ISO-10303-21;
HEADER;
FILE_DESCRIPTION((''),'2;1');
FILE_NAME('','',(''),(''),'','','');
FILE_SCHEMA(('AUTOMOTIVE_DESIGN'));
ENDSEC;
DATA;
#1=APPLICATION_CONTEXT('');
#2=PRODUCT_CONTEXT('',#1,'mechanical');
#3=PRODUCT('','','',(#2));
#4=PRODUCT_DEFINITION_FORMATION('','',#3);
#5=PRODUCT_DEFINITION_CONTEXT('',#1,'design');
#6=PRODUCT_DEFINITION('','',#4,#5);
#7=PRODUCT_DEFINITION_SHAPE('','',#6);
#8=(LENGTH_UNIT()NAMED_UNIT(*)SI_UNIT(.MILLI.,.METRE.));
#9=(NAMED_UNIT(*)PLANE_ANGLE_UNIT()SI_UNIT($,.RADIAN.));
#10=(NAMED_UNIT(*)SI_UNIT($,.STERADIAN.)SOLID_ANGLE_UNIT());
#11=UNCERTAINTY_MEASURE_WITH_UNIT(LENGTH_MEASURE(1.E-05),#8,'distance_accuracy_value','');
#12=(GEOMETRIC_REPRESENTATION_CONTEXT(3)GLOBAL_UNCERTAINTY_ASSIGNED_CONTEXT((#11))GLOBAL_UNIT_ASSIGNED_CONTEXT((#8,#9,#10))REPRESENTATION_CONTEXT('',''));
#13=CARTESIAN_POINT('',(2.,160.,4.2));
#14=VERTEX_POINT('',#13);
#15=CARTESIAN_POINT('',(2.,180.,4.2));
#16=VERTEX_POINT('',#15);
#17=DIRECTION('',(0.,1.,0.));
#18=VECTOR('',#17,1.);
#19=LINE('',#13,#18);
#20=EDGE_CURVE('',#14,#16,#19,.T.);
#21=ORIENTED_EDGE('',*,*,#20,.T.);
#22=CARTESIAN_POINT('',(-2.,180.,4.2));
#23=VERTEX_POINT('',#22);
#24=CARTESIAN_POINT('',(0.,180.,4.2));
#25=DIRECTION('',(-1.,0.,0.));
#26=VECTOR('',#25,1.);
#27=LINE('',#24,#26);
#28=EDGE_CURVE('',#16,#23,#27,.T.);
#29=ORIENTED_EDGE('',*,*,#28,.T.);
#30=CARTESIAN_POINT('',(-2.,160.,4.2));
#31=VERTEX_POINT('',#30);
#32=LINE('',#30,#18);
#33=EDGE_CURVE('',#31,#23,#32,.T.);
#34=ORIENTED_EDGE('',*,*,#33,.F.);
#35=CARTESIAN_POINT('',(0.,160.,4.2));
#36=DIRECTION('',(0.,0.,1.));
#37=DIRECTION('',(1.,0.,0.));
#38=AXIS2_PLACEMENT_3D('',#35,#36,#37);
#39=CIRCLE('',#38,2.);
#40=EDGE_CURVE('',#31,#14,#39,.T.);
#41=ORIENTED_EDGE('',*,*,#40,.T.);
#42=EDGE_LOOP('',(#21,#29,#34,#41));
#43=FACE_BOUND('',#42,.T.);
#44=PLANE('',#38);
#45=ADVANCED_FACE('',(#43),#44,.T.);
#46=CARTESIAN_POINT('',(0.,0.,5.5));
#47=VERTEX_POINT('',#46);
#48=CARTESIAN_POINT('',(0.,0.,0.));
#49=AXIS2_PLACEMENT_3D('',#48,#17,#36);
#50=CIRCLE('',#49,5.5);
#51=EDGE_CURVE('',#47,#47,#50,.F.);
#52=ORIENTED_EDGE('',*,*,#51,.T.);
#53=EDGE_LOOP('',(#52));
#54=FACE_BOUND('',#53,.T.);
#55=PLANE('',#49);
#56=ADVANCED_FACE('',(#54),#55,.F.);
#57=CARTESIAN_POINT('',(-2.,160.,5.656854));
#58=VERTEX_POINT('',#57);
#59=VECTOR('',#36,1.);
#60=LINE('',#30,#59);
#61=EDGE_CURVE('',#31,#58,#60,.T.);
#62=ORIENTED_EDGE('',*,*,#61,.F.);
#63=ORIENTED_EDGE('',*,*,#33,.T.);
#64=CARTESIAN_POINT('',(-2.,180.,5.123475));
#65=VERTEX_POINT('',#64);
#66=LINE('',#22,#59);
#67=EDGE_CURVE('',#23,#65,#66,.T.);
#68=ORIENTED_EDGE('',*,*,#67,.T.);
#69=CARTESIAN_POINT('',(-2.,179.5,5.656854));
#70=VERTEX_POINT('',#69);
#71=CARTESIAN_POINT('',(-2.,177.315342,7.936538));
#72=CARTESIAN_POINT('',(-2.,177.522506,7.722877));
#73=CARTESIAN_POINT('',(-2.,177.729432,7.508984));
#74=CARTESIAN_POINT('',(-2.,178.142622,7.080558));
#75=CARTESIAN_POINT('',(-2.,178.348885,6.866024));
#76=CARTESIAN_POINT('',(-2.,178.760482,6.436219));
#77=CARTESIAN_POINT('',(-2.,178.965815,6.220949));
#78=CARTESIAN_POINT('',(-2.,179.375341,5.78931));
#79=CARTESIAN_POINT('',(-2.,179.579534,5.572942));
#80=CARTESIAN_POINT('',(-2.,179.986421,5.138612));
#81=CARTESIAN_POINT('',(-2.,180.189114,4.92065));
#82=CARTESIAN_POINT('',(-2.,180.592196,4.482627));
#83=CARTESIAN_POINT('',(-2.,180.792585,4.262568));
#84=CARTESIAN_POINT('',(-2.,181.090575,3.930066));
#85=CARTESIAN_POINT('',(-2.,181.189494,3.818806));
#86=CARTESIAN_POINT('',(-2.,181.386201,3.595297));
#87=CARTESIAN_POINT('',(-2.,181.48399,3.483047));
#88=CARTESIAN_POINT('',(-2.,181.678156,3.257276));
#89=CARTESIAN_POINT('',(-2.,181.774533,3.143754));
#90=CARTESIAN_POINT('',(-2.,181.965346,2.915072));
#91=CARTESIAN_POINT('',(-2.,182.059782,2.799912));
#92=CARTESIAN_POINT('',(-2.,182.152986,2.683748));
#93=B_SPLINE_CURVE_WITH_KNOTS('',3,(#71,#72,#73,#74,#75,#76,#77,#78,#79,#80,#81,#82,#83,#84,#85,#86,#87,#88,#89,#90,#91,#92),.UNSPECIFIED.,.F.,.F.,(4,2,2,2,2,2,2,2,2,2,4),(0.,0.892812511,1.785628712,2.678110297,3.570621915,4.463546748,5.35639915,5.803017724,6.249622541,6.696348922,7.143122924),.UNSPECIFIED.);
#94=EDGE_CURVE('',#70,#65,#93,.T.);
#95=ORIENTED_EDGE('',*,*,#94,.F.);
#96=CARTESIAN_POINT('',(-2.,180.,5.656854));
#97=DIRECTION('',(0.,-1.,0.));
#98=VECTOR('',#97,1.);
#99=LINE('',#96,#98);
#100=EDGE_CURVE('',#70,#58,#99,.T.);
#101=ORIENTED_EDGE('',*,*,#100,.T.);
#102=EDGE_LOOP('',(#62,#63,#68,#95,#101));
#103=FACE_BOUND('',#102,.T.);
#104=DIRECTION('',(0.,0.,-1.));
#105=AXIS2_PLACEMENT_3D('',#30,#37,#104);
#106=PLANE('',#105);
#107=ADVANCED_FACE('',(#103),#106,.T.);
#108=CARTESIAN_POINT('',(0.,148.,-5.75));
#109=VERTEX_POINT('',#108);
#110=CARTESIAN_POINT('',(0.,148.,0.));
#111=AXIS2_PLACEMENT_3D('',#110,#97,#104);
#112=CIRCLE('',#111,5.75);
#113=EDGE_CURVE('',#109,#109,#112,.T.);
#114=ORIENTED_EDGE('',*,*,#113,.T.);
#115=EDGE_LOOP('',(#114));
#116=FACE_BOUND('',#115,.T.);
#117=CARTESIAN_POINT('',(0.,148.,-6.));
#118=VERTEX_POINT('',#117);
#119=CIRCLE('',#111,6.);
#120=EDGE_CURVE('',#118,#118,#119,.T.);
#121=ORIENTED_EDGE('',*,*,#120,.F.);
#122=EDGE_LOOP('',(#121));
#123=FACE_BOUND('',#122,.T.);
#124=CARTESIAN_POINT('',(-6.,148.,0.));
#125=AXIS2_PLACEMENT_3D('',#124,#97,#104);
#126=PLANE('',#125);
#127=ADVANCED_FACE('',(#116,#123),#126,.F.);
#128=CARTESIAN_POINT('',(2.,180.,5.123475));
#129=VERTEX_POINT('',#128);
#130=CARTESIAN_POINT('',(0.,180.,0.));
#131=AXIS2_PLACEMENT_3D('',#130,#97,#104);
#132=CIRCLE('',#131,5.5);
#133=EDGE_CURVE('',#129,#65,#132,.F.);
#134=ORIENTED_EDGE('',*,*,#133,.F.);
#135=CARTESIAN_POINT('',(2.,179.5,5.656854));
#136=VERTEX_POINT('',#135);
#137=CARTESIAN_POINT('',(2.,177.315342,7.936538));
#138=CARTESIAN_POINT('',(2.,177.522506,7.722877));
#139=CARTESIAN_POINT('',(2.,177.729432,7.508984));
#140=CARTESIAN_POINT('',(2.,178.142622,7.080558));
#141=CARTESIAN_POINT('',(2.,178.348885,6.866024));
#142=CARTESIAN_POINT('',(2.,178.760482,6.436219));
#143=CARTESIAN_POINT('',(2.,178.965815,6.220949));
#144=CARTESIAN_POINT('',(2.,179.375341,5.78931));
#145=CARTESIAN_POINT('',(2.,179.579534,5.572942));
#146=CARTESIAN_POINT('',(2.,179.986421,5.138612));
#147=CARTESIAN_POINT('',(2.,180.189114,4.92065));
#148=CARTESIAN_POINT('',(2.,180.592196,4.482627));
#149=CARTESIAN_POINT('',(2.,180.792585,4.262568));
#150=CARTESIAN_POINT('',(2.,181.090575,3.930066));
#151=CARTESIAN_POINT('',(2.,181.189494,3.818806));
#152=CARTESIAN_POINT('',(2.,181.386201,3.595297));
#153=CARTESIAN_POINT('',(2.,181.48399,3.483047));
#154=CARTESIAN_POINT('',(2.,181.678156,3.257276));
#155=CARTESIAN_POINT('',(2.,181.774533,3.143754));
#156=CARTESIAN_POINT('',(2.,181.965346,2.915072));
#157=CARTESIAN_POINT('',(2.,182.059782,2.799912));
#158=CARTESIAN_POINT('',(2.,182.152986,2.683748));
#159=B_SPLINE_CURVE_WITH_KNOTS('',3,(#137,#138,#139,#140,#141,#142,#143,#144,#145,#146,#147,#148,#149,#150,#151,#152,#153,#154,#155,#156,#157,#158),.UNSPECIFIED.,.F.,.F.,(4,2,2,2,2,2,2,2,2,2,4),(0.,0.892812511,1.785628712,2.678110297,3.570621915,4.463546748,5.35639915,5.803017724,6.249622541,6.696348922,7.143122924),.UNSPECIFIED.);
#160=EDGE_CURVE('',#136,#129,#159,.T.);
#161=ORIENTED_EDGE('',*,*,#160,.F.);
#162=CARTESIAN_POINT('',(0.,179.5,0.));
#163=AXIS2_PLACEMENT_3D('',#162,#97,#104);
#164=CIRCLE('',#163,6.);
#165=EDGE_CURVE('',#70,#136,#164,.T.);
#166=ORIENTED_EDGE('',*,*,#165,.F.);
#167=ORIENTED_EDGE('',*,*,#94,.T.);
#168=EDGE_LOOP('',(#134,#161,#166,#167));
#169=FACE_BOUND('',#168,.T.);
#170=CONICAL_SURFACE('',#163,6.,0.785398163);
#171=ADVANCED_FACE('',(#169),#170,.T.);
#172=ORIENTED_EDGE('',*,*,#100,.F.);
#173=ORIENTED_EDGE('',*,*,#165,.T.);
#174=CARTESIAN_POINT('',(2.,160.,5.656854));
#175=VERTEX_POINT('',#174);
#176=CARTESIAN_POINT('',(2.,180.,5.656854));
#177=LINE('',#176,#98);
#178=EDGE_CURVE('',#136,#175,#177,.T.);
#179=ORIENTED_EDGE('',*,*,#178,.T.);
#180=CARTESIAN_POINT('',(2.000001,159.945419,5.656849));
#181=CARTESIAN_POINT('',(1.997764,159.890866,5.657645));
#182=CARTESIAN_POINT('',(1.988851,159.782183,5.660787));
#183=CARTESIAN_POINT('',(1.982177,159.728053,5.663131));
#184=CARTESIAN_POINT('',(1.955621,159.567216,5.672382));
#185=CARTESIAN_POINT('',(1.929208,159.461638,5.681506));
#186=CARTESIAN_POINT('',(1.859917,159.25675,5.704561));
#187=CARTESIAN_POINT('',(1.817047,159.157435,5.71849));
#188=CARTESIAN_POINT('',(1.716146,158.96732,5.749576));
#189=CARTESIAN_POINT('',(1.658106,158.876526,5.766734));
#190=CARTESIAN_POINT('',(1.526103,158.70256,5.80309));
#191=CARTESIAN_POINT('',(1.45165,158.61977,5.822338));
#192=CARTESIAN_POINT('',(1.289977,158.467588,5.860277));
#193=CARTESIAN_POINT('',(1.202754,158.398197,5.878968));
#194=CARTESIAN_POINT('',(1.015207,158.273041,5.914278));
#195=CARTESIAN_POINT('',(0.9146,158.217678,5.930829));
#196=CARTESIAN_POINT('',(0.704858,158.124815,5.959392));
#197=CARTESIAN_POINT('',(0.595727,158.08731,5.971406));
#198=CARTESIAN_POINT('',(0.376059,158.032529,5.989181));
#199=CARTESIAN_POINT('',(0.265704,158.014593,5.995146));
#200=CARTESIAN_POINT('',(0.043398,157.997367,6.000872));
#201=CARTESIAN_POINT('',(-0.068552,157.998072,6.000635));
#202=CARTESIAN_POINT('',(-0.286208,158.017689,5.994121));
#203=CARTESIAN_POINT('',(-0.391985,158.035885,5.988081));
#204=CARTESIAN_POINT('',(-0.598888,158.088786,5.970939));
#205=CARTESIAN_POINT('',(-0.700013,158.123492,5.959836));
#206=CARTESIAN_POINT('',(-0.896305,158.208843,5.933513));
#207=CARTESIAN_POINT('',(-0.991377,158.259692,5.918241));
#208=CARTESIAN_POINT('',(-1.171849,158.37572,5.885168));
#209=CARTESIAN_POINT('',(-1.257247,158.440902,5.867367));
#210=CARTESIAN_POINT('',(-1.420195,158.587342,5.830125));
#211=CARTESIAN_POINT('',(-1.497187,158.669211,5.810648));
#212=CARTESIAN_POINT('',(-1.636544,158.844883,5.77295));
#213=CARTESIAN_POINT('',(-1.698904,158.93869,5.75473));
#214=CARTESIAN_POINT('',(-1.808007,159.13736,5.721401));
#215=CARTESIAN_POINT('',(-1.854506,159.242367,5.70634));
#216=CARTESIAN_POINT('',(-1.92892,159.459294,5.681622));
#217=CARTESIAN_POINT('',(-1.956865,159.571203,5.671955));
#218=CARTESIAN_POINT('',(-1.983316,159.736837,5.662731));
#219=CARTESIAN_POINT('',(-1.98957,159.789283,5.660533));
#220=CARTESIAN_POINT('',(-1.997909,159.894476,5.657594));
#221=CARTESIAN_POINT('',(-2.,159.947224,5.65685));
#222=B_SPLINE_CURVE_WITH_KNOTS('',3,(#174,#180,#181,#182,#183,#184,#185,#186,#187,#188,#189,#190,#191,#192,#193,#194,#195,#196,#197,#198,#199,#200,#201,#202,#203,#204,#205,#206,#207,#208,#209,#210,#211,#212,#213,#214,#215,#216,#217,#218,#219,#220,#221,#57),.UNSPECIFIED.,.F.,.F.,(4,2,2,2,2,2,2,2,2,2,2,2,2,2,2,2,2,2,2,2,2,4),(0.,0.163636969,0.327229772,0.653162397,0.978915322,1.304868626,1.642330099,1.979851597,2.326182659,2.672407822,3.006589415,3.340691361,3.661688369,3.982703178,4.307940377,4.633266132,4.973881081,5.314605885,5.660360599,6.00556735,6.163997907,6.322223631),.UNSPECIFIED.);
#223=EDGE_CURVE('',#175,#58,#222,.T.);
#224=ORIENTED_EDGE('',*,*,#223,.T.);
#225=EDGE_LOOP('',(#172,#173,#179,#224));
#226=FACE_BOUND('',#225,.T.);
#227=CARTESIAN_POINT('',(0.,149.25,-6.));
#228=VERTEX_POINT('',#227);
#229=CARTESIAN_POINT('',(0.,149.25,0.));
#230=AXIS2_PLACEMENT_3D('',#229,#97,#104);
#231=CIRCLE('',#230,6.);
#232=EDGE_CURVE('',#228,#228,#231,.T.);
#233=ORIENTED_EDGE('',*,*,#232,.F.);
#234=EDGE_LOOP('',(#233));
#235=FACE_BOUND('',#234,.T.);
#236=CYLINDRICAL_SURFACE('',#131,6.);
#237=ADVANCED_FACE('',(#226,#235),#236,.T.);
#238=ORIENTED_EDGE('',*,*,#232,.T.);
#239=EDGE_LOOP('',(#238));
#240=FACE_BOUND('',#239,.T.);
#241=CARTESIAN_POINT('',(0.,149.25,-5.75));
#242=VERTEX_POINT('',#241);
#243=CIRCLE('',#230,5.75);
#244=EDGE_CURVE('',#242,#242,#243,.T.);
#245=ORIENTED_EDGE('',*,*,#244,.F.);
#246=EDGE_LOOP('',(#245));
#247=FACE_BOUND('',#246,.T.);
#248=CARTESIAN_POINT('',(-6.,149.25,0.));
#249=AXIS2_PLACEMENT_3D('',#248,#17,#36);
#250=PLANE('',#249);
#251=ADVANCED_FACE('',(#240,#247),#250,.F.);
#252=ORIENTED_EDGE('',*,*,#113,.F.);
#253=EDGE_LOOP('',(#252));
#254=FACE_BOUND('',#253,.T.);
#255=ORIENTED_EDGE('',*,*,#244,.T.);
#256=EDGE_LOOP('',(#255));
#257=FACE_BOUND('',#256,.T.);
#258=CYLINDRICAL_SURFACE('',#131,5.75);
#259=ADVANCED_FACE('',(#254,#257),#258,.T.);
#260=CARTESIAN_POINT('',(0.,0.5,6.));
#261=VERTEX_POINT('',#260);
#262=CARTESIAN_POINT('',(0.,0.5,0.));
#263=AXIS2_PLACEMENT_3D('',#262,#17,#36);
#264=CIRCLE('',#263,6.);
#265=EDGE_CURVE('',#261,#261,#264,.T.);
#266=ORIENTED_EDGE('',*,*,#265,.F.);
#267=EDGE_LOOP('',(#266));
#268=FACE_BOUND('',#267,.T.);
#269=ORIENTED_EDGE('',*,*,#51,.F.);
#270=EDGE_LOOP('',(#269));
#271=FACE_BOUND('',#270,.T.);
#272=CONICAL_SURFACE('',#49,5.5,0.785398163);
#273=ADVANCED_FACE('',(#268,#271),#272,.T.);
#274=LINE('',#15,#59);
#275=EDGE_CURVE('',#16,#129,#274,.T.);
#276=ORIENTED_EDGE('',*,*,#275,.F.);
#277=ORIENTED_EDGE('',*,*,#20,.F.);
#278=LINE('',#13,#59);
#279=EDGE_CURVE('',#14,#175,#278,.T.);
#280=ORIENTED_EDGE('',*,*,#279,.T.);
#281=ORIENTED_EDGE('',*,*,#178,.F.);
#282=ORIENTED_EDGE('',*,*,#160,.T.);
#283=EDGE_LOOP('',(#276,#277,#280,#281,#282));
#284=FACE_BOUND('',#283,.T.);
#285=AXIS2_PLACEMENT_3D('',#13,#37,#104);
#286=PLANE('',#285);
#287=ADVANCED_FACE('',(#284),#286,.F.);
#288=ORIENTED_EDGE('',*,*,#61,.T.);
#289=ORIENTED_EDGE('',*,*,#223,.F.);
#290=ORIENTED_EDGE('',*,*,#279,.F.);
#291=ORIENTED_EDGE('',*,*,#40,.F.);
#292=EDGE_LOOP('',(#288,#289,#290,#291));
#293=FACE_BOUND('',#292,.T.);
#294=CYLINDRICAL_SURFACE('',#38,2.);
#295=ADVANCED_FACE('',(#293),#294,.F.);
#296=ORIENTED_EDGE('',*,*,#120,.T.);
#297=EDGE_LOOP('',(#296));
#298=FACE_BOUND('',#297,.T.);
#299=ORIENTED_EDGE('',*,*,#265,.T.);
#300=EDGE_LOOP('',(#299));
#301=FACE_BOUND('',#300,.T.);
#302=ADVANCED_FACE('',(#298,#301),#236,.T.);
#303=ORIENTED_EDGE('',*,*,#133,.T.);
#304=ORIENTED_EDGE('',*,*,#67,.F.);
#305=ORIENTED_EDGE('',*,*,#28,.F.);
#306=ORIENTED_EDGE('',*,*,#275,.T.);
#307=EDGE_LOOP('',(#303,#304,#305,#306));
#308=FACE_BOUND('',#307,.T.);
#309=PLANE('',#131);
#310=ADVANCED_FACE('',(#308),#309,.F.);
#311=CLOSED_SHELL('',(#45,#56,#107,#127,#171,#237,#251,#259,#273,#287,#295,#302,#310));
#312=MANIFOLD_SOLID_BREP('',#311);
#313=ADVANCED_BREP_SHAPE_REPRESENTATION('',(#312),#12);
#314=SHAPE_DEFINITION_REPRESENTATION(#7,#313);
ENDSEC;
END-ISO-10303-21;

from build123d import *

# Parameters (mm, degrees)
CHAMFER1_SIZE      = 0.5
CUT_EXTRUDE1_DEPTH = 1.8


with BuildPart() as part:
    # Sketch1 → Revolve1 (revolve)
    with BuildSketch(Plane.XY, mode=Mode.PRIVATE) as revolve1_sk:
        Polygon((0, 180), (-6, 180), (-6, 149.25), (-5.75, 149.25), (-5.75, 148), (-6, 148), (-6, 0), (0, 0), align=None)
    revolve(revolve1_sk.sketch.rotate(Axis((0, 180, 0), (0, 1, 0)), 270), axis=Axis((0, 180, 0), (0, 1, 0)))

    # Chamfer1
    chamfer1_edges = [part.edges().sort_by_distance(p)[0] for p in [
        (0, 0, 6),
        (0, 180, 6),
    ]]
    chamfer(chamfer1_edges, length=CHAMFER1_SIZE)

    # Sketch2 → Cut-Extrude1 (cut)
    with BuildSketch(Plane.XY.offset(6)):
        with BuildLine():
            Line((-2, 160), (-2, 180))
            ThreePointArc((-2, 180), (0, 182), (2, 180))
            Line((2, 180), (2, 160))
            ThreePointArc((2, 160), (0, 158), (-2, 160))
        make_face()
    extrude(amount=-CUT_EXTRUDE1_DEPTH, mode=Mode.SUBTRACT)


solid = part.part
